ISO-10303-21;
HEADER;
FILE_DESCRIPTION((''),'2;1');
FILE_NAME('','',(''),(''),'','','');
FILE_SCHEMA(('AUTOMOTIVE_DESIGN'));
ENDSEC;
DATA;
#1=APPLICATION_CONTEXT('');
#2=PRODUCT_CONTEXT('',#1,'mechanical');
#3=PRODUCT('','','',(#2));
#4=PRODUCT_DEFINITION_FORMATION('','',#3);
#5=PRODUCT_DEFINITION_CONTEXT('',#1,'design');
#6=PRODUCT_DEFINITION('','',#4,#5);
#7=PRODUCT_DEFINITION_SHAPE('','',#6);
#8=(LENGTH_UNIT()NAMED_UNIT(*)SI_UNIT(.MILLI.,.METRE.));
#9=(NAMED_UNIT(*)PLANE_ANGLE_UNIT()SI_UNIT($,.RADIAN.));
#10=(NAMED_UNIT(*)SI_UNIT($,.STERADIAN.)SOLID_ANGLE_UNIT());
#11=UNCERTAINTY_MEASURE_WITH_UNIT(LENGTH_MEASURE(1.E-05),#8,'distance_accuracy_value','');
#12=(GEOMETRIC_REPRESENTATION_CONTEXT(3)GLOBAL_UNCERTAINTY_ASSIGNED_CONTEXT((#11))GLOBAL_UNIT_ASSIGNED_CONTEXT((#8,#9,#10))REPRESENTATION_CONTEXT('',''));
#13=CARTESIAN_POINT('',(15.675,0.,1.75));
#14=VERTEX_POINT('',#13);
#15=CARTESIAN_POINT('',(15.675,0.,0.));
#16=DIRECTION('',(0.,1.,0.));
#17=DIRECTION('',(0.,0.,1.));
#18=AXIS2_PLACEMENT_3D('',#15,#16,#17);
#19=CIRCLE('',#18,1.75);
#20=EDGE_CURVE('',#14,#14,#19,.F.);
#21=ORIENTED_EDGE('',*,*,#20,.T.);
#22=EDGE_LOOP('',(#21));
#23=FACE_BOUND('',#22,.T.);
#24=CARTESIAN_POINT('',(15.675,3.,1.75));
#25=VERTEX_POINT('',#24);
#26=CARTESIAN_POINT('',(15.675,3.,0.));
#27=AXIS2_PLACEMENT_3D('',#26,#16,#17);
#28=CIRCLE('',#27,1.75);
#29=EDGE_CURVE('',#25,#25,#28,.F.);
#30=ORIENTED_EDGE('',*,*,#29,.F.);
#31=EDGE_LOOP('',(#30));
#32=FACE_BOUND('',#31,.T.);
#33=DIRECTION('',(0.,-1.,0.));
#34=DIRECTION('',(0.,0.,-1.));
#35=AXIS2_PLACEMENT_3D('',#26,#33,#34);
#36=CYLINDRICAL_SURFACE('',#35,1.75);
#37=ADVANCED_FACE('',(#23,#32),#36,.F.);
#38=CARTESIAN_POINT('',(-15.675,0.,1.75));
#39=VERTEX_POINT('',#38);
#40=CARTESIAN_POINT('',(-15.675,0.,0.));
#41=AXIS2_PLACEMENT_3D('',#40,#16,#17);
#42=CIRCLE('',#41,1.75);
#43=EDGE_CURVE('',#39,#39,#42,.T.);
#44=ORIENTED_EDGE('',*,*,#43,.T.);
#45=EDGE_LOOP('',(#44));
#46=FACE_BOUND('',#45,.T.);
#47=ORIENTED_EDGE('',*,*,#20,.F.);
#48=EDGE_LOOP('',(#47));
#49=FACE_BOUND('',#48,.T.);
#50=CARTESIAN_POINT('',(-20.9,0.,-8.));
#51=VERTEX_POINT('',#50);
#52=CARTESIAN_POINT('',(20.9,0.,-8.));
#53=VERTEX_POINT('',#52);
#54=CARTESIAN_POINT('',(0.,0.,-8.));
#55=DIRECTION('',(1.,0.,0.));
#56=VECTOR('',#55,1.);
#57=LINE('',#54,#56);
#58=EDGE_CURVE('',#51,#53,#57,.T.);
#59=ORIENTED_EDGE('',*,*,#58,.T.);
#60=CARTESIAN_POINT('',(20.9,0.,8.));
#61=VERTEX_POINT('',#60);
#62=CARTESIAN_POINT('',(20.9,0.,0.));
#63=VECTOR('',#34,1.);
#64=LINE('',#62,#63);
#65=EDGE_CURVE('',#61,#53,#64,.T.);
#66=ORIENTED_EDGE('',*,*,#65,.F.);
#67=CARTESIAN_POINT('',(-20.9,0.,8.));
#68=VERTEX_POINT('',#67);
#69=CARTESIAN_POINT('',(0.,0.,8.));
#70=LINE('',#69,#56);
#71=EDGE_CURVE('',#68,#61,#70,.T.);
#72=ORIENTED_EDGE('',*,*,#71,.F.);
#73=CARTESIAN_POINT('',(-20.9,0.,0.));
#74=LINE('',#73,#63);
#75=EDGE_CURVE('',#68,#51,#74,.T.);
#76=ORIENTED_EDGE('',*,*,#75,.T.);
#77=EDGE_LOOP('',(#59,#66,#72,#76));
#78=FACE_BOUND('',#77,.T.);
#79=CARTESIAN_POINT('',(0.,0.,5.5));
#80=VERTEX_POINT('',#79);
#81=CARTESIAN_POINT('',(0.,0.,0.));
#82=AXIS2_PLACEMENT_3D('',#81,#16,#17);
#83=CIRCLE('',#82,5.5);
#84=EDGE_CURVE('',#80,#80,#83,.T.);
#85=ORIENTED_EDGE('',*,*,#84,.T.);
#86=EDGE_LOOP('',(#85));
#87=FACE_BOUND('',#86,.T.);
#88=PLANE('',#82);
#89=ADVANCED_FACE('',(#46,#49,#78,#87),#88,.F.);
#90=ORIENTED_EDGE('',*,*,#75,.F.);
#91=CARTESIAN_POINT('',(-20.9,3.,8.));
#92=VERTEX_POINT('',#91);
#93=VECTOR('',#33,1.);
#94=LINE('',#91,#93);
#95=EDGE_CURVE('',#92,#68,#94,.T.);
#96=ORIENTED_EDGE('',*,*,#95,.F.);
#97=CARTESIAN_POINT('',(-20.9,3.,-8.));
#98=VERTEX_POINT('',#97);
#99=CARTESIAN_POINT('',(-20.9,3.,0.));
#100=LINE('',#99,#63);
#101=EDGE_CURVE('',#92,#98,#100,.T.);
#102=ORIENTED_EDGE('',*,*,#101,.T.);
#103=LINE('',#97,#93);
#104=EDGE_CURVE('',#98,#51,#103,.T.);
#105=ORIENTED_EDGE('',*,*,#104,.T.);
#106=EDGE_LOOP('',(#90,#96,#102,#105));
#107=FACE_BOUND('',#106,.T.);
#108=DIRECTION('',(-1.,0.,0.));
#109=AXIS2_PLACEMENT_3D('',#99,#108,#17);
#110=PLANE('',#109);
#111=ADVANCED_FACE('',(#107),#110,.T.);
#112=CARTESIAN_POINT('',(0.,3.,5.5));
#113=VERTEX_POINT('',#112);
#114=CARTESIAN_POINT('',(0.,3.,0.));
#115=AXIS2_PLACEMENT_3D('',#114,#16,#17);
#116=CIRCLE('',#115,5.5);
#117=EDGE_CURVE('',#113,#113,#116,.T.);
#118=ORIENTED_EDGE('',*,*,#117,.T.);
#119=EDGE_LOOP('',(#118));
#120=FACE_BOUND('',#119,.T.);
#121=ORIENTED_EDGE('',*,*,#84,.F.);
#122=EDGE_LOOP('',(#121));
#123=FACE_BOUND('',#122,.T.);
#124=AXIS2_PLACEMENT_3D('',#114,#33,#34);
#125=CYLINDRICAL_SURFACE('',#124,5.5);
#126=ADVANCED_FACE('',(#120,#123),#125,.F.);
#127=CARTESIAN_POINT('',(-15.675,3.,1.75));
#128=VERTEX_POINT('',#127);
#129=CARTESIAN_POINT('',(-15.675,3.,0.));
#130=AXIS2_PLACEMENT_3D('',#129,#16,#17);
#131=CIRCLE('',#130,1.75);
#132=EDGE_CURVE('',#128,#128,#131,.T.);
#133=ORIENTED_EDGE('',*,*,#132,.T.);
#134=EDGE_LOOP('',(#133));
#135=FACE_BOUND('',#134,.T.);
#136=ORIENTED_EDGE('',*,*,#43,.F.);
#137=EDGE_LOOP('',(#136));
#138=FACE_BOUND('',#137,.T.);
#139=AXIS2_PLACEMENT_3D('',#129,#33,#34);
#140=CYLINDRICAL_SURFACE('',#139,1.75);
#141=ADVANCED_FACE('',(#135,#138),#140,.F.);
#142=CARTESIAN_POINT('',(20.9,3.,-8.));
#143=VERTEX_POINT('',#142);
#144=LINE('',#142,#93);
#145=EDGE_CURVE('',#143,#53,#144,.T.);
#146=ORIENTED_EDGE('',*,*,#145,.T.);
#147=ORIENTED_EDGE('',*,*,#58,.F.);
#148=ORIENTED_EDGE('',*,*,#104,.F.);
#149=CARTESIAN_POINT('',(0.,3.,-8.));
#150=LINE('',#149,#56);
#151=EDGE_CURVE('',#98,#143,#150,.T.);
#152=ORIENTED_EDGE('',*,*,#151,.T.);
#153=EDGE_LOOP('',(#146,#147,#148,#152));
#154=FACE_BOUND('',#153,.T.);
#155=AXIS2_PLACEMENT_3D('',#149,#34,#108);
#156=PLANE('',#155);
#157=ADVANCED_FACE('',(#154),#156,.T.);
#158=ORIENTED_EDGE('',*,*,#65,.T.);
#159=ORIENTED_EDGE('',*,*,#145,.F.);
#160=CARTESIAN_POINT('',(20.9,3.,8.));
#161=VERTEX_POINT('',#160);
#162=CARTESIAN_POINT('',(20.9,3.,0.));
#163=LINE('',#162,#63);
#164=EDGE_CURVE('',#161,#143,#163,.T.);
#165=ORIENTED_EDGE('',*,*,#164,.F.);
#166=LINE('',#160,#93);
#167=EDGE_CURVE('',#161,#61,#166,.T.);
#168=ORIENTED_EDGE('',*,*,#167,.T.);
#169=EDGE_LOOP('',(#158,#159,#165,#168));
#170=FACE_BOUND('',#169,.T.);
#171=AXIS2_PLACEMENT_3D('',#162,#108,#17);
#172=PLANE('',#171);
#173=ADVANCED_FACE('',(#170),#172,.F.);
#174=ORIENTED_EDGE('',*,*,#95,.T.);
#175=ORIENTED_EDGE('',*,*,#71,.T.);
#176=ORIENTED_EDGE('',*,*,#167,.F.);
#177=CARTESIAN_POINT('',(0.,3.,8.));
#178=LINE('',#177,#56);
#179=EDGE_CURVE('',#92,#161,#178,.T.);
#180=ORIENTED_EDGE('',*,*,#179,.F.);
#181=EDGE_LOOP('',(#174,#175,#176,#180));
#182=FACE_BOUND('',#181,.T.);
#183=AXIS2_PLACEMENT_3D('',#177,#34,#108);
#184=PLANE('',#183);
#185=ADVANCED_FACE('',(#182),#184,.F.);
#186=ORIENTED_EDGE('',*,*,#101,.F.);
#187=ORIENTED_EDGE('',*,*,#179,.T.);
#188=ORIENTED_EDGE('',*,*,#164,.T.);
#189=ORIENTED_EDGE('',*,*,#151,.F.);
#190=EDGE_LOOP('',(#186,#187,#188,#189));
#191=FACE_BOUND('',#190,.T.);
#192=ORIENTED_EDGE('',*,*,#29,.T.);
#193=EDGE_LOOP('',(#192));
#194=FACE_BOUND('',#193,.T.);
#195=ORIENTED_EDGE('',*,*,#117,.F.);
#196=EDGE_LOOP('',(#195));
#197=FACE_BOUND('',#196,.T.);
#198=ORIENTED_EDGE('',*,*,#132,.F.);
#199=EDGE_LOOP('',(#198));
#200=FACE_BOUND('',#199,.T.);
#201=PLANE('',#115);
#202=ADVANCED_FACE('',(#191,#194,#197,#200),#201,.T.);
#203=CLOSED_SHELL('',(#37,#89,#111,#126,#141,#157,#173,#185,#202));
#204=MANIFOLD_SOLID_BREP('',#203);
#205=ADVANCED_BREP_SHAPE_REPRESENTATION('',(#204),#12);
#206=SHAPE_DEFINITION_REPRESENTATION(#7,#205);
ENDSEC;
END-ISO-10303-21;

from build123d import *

# Parameters (mm, degrees)
SKETCH1_W           = 41.8
SKETCH1_H           = 16
SKETCH1_R           = 1.75
SKETCH1_R_2         = 5.5
BOSS_EXTRUDE1_DEPTH = 3


with BuildPart() as part:
    # Sketch1 → Boss-Extrude1 (new body)
    with BuildSketch(Plane(origin=(0, 0, 0), x_dir=(1, 0, 0), z_dir=(0, 1, 0))):
        Rectangle(SKETCH1_W, SKETCH1_H)
        with Locations((-15.675, 0)):
            Circle(SKETCH1_R, mode=Mode.SUBTRACT)
        with Locations((15.675, 0)):
            Circle(SKETCH1_R, mode=Mode.SUBTRACT)
        Circle(SKETCH1_R_2, mode=Mode.SUBTRACT)
    extrude(amount=BOSS_EXTRUDE1_DEPTH)


solid = part.part
